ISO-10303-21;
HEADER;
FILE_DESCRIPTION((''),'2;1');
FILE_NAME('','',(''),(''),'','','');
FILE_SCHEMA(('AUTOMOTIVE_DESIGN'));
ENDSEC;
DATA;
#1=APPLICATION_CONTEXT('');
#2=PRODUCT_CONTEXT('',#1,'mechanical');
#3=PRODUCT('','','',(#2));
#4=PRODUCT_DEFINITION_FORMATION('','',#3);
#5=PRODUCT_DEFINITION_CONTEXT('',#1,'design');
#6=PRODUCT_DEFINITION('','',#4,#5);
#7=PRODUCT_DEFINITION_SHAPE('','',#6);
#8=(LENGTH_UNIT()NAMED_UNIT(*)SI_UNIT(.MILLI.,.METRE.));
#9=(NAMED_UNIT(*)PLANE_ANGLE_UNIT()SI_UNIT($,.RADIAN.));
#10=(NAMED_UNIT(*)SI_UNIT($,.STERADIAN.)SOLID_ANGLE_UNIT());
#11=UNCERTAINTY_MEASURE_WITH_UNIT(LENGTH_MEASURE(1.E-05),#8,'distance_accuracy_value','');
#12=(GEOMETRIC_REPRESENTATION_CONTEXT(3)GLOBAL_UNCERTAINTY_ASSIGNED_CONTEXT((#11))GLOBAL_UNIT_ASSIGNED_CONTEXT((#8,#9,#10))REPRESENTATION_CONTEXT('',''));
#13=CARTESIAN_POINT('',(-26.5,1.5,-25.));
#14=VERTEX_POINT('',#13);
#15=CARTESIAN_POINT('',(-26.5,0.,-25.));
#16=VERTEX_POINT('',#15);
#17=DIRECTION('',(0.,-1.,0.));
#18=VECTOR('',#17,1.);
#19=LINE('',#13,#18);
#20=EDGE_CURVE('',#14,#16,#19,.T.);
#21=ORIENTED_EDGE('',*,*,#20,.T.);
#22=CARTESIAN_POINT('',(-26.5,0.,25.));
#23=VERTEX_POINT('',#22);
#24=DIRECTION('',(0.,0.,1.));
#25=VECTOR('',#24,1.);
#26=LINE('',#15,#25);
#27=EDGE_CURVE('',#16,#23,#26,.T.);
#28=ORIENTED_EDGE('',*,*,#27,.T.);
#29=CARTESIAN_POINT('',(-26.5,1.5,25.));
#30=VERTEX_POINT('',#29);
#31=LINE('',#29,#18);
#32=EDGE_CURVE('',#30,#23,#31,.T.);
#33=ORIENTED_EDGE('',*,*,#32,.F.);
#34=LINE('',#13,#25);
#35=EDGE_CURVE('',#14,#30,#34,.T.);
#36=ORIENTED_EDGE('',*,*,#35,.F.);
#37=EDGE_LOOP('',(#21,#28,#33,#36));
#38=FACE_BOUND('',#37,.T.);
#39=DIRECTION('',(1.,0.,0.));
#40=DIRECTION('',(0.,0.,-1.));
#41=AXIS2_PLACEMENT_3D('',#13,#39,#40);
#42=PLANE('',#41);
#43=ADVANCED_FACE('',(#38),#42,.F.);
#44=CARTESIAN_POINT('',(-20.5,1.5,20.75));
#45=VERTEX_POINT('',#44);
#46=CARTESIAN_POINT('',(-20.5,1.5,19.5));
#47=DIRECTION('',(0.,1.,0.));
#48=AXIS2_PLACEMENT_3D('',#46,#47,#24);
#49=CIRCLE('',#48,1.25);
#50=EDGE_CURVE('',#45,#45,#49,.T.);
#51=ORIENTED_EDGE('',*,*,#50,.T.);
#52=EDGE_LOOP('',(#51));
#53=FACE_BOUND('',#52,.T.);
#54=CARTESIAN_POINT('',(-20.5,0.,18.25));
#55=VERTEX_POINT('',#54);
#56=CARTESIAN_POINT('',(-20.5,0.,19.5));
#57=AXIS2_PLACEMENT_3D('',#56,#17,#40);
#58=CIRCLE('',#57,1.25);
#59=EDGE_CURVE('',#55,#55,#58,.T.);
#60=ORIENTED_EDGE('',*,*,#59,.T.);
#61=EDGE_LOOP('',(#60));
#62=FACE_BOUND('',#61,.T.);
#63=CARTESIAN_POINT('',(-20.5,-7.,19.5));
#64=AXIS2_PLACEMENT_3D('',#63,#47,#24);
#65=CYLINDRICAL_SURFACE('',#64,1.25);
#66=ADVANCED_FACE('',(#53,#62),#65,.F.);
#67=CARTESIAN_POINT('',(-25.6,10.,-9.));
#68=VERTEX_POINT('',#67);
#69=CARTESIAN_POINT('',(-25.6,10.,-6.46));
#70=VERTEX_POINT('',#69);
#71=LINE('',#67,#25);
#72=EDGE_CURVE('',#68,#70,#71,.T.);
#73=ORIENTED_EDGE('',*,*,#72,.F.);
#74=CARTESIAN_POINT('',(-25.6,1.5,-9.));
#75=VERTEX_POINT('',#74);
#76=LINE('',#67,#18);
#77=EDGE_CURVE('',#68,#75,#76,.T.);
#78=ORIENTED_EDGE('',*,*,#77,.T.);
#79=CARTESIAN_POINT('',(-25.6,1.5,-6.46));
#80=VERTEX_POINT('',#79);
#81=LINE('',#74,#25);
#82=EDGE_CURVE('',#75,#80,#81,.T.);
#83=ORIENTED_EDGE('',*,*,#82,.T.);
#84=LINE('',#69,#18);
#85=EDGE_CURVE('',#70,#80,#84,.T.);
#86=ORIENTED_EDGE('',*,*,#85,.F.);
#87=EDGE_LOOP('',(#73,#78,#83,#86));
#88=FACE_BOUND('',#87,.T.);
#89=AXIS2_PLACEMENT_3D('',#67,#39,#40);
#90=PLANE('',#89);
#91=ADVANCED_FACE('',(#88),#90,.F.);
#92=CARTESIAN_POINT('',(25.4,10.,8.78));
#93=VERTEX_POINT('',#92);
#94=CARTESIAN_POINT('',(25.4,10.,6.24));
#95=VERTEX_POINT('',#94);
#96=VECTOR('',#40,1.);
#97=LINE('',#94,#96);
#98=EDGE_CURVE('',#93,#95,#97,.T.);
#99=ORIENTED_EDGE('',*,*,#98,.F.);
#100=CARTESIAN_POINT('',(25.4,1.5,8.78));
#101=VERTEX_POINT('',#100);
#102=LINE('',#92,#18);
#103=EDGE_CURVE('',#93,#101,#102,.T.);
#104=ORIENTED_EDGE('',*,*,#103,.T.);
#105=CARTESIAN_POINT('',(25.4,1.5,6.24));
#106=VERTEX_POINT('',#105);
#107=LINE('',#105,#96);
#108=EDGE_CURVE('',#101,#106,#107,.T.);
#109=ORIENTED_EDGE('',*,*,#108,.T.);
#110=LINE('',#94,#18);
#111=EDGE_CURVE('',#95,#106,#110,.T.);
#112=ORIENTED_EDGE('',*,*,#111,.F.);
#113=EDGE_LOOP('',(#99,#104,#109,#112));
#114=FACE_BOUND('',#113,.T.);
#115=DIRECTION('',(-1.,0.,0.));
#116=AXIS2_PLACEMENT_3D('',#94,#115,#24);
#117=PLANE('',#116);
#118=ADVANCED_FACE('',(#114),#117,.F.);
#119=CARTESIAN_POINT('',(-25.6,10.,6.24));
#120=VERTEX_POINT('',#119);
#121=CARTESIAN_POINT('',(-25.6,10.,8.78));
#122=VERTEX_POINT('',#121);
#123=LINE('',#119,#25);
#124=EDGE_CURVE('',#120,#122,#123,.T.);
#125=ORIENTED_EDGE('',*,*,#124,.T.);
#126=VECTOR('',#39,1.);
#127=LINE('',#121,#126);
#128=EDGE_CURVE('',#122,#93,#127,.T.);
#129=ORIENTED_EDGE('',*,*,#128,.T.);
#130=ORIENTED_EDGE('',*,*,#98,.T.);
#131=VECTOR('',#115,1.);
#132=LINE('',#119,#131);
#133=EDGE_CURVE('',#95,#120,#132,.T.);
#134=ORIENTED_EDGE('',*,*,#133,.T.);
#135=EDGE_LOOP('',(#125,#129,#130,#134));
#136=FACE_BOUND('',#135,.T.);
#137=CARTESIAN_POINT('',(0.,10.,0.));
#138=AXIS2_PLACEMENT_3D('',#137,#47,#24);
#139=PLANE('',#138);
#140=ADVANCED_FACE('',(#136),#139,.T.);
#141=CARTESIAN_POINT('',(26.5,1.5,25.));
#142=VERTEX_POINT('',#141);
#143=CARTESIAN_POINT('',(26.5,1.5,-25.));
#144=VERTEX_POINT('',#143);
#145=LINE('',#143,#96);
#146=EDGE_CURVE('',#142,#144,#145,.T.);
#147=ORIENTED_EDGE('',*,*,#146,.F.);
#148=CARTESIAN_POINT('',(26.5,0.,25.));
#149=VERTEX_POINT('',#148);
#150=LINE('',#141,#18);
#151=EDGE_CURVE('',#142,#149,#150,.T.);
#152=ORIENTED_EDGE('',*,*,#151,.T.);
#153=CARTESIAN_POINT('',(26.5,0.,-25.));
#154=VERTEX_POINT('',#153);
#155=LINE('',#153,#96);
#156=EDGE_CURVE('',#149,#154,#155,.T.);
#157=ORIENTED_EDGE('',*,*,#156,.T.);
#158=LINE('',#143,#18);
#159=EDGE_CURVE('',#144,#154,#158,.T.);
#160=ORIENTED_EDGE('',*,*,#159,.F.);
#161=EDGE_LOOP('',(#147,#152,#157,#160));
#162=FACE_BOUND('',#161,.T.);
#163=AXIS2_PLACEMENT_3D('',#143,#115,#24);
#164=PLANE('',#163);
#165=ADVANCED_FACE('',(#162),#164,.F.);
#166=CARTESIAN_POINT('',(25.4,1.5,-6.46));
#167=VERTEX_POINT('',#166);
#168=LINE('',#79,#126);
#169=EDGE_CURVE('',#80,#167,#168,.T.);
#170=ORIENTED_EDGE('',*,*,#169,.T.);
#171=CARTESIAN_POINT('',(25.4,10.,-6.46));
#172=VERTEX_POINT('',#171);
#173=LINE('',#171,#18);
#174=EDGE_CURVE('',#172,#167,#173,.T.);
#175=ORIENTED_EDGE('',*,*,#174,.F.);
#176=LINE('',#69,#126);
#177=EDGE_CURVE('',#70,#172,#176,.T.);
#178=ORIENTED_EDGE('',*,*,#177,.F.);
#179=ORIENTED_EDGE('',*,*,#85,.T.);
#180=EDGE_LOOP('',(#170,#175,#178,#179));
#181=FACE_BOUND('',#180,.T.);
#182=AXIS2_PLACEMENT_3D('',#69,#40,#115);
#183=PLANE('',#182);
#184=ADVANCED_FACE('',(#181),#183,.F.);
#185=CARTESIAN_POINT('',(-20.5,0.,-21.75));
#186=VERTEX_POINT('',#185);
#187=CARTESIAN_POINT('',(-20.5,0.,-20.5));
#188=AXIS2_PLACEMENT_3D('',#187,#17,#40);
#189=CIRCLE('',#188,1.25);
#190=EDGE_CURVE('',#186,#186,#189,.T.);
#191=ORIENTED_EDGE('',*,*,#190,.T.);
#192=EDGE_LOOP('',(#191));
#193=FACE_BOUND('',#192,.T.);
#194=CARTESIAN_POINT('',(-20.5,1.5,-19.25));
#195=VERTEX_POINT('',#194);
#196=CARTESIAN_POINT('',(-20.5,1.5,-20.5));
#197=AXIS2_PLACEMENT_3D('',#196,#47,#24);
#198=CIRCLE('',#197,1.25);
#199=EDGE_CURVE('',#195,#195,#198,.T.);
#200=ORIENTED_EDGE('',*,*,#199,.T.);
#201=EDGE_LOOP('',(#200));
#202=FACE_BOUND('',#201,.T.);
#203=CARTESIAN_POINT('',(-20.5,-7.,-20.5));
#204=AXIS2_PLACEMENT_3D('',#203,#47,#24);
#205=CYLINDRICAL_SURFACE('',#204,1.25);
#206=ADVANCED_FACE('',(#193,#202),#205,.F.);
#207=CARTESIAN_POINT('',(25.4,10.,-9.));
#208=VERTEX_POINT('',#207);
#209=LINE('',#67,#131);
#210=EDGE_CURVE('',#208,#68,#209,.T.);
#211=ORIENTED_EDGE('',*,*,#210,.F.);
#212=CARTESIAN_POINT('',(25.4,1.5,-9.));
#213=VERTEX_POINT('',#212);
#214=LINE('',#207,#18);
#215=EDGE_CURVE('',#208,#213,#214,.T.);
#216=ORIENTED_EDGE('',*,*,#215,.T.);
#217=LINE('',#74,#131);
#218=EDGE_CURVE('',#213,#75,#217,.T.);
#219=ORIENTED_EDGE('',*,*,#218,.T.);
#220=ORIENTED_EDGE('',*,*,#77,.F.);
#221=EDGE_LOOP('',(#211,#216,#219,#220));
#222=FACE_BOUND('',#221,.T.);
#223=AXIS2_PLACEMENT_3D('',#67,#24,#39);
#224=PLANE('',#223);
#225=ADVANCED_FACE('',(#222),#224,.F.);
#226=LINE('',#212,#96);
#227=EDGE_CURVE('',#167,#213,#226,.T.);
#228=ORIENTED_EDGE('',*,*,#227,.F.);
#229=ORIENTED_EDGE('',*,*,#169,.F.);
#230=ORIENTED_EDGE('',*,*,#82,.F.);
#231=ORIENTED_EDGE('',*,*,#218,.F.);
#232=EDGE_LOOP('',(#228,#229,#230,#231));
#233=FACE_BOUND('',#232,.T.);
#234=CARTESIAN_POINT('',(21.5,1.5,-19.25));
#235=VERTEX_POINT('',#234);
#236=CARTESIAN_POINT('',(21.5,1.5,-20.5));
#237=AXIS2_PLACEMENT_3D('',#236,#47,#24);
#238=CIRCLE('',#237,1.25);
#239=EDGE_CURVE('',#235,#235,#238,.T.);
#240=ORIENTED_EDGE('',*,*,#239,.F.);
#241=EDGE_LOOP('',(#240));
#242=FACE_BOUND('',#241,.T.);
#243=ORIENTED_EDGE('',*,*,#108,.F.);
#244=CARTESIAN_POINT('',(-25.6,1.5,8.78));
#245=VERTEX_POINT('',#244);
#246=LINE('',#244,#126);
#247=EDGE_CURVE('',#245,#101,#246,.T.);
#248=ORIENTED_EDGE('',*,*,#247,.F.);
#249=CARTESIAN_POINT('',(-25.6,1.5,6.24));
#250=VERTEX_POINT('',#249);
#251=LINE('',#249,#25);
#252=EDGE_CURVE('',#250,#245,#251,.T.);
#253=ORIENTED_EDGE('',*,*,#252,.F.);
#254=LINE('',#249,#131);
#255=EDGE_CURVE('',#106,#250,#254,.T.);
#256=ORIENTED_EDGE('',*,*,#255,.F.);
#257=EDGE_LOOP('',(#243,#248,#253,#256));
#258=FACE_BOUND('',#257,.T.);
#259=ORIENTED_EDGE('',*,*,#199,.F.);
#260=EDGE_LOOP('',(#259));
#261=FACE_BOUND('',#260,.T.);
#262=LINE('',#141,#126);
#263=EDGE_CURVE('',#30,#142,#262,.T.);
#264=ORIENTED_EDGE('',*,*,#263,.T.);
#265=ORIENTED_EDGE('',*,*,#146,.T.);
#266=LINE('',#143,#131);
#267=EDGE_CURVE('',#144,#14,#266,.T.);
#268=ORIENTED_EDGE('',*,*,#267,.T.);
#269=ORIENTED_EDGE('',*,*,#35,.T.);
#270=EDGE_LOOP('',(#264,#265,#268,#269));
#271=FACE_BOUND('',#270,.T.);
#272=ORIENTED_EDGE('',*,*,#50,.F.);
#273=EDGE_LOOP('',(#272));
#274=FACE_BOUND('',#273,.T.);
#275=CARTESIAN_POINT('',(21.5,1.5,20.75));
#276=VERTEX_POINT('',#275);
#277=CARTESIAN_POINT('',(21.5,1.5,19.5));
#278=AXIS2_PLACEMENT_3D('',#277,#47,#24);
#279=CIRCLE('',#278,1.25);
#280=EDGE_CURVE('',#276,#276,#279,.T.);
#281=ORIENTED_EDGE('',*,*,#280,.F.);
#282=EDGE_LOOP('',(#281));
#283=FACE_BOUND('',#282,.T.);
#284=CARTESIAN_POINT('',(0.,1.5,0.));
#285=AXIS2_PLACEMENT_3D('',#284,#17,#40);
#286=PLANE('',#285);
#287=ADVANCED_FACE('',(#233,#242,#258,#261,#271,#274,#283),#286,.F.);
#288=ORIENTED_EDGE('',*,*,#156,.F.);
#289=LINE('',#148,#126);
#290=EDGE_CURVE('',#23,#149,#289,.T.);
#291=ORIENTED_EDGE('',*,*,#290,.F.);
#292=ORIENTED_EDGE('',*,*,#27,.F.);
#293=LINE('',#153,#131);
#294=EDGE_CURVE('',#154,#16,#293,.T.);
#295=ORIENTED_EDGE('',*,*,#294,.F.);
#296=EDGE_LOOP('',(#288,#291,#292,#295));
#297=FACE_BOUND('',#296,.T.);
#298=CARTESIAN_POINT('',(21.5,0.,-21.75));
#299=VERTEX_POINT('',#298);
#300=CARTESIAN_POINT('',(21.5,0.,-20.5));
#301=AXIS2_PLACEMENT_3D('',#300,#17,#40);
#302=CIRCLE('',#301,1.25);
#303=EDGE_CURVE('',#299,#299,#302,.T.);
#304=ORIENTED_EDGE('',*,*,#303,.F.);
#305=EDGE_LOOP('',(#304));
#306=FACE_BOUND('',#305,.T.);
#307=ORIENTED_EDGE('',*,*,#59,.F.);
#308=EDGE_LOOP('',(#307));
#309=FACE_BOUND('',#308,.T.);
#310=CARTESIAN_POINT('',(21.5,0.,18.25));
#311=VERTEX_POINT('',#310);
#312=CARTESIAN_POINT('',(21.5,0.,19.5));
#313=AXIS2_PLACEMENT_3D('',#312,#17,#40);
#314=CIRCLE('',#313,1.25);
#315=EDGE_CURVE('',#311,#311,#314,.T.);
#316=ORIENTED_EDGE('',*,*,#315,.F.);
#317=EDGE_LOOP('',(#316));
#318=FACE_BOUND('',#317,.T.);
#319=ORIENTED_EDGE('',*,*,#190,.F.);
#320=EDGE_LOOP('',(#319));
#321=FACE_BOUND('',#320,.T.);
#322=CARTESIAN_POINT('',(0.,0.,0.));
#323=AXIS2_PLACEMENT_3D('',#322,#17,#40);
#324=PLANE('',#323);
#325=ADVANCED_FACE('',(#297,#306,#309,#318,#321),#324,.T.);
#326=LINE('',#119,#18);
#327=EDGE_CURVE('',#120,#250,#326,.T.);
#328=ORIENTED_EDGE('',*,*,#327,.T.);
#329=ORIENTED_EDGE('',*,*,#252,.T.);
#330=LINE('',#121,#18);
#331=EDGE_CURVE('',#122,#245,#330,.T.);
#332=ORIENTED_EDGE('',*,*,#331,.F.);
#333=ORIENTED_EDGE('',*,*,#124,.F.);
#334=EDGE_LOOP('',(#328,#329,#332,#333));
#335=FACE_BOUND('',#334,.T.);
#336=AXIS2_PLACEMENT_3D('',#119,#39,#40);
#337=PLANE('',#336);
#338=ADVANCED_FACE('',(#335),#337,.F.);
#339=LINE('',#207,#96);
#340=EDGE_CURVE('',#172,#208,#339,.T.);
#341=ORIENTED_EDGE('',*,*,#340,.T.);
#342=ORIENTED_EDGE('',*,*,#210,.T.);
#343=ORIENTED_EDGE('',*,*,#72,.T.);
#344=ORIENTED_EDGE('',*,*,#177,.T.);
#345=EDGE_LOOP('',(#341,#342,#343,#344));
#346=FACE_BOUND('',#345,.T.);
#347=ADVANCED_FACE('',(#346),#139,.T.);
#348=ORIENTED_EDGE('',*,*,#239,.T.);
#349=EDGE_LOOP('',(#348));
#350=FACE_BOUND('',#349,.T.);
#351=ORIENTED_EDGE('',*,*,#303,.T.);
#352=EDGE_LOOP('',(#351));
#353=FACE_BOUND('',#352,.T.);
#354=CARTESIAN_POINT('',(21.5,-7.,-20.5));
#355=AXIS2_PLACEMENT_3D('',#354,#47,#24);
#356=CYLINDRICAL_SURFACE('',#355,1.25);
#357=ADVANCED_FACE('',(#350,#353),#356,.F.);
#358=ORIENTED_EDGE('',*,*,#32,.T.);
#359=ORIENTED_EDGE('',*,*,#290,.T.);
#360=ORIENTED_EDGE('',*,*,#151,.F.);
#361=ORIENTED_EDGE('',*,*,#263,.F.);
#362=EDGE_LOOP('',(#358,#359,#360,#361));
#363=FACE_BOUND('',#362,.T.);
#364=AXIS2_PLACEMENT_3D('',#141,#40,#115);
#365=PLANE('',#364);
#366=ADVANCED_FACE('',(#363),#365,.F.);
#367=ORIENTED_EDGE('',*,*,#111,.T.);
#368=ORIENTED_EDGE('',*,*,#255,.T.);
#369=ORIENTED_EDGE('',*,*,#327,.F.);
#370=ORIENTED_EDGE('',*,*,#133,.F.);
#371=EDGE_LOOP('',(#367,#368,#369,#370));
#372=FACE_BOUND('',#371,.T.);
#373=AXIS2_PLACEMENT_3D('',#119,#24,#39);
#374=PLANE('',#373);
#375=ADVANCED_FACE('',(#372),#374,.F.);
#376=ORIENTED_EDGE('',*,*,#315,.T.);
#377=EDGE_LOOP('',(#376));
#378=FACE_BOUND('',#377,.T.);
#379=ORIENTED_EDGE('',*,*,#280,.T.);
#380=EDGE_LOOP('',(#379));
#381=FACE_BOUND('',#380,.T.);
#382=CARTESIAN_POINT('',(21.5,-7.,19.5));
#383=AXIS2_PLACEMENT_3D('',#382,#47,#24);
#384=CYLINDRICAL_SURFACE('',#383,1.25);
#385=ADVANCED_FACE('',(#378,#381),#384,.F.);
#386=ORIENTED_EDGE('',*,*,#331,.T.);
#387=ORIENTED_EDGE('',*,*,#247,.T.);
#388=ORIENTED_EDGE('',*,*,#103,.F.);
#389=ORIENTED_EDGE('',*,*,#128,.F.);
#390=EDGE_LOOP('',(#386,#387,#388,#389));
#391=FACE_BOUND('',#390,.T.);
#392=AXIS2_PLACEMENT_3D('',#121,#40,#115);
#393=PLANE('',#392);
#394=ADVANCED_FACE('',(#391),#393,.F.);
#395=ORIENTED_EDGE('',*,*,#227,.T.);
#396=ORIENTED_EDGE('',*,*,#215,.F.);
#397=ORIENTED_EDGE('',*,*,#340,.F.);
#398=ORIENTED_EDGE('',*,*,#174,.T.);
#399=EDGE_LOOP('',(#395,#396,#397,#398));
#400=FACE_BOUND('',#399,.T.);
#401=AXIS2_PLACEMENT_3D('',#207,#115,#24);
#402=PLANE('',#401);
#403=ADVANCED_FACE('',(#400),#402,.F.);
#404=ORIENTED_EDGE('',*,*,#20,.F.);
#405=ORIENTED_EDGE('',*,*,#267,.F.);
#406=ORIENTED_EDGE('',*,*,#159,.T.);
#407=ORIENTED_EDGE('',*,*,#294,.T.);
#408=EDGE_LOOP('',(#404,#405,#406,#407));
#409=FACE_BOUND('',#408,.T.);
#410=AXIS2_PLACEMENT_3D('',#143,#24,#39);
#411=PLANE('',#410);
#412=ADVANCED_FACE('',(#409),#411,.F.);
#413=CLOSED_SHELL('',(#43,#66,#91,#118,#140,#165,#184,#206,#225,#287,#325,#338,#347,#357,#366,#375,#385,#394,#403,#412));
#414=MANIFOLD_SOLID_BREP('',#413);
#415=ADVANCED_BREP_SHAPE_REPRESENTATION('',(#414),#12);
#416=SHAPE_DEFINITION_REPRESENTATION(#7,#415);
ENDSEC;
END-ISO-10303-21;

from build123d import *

# Parameters (mm, degrees)
SCHIZZO1_W                   = 53
SCHIZZO1_H                   = 50
ESTRUSIONE_ESTRUSIONE1_DEPTH = 1.5
SCHIZZO2_W                   = 51
SCHIZZO2_H                   = 2.54
ESTRUSIONE_ESTRUSIONE2_DEPTH = 8.5
SCHIZZO3_R                   = 1.25
TAGLIO_ESTRUSIONE1_DEPTH     = 8.5


with BuildPart() as part:
    # Schizzo1 → Estrusione-Estrusione1 (new body)
    with BuildSketch(Plane(origin=(0, 0, 0), x_dir=(1, 0, 0), z_dir=(0, 1, 0))):
        Rectangle(SCHIZZO1_W, SCHIZZO1_H)
    extrude(amount=ESTRUSIONE_ESTRUSIONE1_DEPTH)

    # Schizzo2 → Estrusione-Estrusione2 (add)
    with BuildSketch(Plane(origin=(0, 1.5, 0), x_dir=(1, 0, 0), z_dir=(0, 1, 0))):
        with Locations((-0.1, 7.73)):
            Rectangle(SCHIZZO2_W, SCHIZZO2_H)
        with Locations((-0.1, -7.51)):
            Rectangle(SCHIZZO2_W, SCHIZZO2_H)
    extrude(amount=ESTRUSIONE_ESTRUSIONE2_DEPTH)

    # Schizzo3 → Taglio-Estrusione1 (cut)
    with BuildSketch(Plane(origin=(0, 1.5, 0), x_dir=(1, 0, 0), z_dir=(0, 1, 0))):
        with Locations((21.5, 20.5)):
            Circle(SCHIZZO3_R)
        with Locations((-20.5, 20.5)):
            Circle(SCHIZZO3_R)
        with Locations((21.5, -19.5)):
            Circle(SCHIZZO3_R)
        with Locations((-20.5, -19.5)):
            Circle(SCHIZZO3_R)
    extrude(amount=-TAGLIO_ESTRUSIONE1_DEPTH, mode=Mode.SUBTRACT)


solid = part.part
